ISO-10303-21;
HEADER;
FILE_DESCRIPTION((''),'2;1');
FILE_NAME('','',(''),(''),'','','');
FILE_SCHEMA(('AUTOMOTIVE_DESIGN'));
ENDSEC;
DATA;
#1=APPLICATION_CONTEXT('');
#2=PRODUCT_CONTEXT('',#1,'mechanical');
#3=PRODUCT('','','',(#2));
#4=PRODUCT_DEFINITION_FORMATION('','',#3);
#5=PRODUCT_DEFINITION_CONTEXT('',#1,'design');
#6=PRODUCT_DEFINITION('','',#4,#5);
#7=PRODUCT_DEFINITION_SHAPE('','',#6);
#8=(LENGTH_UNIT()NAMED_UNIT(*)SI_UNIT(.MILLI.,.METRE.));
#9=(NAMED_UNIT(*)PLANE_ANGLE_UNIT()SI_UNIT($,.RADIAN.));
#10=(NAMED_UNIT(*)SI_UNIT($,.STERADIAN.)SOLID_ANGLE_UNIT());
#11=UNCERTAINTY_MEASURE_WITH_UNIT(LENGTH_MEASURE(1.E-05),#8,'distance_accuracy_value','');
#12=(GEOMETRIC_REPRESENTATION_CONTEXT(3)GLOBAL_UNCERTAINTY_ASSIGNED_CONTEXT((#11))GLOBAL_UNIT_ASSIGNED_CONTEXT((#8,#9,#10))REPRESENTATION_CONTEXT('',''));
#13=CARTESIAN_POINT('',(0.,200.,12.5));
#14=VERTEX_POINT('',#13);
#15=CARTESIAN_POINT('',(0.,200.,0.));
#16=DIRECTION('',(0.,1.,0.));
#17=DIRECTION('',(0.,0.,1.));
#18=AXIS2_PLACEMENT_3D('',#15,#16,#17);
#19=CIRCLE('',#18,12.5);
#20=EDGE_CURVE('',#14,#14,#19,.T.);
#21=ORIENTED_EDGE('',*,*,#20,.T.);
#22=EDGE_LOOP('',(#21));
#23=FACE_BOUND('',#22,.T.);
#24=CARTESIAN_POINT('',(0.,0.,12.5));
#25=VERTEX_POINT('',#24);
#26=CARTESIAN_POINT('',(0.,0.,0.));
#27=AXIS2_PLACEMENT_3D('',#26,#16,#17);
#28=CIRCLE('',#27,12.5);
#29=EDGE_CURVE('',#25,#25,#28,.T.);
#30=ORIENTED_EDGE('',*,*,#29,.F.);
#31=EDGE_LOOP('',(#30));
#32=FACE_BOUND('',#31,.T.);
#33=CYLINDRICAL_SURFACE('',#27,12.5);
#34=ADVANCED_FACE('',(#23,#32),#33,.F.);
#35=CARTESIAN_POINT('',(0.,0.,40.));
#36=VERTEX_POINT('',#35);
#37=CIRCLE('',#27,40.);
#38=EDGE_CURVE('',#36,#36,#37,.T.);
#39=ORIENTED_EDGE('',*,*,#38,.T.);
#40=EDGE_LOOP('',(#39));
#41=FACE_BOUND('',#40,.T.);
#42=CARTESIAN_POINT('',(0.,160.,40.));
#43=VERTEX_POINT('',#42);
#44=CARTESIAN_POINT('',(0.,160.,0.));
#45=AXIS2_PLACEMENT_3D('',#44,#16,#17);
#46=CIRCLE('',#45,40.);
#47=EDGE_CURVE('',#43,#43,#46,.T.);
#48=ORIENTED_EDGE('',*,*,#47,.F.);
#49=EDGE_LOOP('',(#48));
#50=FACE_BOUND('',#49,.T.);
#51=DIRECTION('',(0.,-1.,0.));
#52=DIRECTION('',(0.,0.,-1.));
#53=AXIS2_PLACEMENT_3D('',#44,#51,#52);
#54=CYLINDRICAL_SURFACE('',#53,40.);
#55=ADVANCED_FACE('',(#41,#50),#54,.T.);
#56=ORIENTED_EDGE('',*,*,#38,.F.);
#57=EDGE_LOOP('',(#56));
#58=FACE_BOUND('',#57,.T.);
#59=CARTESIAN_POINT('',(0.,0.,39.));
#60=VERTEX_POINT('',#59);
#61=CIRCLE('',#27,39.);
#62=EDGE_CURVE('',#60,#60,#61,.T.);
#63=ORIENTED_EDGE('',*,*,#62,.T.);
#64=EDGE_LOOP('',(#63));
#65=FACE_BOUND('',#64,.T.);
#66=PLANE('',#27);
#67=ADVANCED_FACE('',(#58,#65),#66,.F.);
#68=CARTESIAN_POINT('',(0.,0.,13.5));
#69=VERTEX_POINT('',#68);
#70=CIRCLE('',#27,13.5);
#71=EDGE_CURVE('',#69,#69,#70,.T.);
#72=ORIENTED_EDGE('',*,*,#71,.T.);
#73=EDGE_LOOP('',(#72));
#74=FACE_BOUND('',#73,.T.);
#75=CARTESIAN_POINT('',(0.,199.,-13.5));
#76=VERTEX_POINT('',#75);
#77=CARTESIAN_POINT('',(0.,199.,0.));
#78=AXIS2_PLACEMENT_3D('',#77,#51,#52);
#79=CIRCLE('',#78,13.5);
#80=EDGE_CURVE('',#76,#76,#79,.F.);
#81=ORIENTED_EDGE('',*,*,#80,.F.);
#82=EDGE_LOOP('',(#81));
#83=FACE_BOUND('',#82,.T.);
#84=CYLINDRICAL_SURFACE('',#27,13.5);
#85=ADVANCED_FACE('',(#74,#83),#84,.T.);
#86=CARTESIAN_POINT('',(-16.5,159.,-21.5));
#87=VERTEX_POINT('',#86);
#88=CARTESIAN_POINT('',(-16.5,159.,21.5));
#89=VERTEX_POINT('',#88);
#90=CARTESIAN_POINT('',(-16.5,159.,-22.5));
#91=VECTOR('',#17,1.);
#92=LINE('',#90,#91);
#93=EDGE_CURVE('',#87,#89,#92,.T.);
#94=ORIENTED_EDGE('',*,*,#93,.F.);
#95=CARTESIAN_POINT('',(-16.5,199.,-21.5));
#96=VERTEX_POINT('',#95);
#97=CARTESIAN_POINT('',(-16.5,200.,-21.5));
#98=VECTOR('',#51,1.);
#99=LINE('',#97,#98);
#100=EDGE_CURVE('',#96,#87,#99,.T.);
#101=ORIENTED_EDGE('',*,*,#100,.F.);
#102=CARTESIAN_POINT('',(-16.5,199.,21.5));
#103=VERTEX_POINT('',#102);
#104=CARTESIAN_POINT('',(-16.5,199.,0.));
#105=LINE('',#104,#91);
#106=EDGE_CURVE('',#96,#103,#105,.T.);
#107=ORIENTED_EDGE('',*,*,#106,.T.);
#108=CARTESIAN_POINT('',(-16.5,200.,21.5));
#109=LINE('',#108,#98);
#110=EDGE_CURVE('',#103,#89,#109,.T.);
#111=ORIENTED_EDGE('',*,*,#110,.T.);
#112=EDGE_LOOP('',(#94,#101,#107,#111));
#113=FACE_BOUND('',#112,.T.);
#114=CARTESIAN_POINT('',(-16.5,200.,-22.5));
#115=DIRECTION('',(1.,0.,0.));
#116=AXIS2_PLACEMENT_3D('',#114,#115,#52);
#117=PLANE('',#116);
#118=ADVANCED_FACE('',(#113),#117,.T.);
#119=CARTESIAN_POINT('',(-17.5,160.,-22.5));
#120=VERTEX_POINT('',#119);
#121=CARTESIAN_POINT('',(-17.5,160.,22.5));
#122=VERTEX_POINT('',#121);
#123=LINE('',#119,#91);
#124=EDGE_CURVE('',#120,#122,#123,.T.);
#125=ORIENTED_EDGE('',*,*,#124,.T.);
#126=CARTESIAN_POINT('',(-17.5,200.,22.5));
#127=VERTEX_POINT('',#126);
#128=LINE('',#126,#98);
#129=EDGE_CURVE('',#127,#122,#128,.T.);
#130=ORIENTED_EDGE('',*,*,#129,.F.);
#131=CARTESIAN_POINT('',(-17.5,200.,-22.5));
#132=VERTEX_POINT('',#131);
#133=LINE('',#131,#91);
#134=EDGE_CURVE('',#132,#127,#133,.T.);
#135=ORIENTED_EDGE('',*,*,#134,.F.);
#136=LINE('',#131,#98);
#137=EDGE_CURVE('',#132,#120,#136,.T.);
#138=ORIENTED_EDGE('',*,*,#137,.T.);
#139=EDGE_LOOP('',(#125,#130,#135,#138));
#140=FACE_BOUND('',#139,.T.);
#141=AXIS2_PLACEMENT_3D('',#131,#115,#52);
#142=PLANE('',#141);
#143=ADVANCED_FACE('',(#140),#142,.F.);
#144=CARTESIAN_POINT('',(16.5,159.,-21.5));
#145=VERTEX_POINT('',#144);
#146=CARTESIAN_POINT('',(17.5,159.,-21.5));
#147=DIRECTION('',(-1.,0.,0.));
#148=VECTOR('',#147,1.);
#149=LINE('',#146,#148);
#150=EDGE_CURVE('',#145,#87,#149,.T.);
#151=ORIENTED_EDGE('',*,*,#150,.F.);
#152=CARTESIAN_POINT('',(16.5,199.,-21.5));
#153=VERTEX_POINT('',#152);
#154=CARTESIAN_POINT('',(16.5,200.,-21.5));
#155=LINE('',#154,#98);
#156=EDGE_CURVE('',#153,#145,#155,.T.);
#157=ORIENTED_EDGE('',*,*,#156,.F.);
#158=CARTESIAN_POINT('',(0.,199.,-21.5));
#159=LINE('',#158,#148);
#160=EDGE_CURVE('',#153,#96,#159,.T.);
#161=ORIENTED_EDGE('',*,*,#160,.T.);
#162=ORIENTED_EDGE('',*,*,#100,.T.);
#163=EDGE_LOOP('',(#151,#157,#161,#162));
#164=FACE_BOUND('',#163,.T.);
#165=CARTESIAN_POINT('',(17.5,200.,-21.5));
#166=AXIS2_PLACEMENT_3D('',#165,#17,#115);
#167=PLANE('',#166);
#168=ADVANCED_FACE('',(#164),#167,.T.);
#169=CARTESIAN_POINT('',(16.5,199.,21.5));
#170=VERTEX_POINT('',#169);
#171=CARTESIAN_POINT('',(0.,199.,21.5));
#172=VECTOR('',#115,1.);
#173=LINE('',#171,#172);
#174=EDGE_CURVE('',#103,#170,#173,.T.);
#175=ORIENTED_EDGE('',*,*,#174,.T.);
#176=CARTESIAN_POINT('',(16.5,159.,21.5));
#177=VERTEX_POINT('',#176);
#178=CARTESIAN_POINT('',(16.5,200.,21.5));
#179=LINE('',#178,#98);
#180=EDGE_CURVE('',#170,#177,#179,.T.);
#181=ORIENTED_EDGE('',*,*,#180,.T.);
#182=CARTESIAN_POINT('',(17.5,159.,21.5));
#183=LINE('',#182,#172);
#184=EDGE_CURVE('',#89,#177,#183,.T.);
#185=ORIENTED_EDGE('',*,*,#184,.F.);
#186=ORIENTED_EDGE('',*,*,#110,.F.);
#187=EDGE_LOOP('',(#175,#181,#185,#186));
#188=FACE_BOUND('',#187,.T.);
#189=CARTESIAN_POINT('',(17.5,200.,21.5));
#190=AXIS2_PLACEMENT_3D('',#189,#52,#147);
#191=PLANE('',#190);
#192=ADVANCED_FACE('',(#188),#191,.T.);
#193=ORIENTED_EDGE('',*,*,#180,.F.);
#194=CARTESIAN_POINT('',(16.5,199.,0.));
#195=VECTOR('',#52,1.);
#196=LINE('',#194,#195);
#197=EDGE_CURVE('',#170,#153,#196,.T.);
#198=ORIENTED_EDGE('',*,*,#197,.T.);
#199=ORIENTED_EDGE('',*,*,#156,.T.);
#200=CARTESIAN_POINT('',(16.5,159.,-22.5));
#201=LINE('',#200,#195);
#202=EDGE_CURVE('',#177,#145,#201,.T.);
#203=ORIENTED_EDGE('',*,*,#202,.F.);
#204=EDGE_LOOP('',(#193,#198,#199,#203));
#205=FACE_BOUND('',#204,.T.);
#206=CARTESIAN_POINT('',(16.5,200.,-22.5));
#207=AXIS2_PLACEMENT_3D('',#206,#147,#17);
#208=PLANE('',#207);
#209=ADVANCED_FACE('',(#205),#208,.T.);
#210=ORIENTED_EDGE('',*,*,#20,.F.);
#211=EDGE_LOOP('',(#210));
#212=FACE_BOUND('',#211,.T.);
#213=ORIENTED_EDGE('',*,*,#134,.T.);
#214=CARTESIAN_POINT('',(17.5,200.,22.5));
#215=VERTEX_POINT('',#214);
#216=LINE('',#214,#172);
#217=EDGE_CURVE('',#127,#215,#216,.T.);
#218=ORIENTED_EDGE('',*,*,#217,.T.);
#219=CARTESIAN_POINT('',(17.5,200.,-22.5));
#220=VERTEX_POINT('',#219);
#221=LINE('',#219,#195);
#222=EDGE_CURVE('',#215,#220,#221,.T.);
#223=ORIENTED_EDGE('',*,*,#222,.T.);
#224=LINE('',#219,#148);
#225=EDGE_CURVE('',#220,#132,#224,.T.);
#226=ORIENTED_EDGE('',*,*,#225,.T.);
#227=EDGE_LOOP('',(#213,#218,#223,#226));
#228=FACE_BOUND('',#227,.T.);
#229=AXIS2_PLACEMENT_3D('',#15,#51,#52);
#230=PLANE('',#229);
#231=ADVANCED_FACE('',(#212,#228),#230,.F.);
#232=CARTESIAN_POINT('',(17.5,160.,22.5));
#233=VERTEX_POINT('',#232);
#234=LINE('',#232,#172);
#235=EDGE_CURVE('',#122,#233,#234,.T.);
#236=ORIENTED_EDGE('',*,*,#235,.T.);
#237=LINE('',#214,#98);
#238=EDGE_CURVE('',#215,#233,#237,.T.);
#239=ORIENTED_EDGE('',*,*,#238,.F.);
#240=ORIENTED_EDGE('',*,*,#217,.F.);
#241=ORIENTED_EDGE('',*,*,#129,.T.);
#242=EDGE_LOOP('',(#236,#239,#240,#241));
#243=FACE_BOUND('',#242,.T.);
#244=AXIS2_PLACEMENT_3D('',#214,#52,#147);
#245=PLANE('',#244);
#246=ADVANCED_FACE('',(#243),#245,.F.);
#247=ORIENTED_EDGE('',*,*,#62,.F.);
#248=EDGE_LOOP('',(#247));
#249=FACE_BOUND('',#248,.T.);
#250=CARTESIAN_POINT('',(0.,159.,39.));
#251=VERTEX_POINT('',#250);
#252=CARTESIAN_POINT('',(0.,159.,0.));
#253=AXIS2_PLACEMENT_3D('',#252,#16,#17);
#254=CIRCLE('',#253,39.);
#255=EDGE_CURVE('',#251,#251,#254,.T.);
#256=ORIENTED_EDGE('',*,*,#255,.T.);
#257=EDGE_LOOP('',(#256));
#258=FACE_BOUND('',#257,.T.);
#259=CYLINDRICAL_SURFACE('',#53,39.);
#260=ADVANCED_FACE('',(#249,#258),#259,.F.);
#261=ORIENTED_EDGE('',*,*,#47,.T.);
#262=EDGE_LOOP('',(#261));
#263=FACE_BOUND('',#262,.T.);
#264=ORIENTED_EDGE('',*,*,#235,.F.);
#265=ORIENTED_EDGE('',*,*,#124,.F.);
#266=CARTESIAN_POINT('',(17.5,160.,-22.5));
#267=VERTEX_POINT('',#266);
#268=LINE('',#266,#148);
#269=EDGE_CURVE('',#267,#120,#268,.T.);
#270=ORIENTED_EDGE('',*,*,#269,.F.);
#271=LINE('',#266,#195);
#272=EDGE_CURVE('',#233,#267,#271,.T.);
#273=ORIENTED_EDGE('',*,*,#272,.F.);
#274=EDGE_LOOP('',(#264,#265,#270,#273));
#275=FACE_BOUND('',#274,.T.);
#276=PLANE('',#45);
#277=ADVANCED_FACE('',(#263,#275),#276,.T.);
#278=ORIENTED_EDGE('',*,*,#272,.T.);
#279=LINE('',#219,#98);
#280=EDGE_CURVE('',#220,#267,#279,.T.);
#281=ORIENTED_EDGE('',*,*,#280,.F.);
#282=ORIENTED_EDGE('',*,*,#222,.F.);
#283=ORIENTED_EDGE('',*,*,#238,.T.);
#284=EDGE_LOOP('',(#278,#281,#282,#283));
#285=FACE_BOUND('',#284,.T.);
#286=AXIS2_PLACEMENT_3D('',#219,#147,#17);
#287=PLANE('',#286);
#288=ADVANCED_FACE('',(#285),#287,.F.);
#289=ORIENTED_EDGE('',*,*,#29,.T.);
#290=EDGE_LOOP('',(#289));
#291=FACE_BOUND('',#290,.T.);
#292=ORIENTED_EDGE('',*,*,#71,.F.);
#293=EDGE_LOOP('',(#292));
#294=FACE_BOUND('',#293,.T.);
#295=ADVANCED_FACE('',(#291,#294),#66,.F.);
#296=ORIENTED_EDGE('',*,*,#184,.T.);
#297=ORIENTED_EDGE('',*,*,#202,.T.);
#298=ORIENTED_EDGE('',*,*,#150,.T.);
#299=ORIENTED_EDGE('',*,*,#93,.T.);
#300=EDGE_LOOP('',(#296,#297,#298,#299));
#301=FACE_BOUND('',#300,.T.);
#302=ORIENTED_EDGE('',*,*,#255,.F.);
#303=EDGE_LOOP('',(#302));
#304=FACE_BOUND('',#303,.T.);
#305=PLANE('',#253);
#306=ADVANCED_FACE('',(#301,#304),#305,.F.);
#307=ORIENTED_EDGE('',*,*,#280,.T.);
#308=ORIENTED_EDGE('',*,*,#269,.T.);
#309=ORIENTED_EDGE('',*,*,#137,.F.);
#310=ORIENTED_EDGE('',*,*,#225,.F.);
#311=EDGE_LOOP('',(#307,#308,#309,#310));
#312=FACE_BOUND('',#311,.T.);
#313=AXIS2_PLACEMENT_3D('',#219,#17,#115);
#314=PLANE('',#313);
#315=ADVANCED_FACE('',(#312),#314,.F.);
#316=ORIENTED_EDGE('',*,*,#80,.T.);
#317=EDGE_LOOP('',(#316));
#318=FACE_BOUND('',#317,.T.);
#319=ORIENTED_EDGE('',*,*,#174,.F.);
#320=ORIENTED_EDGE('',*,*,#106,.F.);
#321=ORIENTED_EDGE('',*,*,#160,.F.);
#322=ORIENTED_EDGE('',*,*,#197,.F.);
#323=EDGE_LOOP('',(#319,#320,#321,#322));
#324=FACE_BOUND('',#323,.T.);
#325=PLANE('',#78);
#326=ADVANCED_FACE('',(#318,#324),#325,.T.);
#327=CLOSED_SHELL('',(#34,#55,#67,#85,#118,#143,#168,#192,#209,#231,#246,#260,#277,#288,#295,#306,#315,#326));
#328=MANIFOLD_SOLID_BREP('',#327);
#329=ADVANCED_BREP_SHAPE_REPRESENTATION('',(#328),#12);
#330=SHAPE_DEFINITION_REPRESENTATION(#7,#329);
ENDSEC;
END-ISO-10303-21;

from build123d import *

# Parameters (mm, degrees)
SKETCH_1_R          = 40
EXTRUDE_1_DEPTH     = 160
SKETCH_2_W          = 35
SKETCH_2_H          = 45
EXTRUDE_2_DEPTH     = 40
SKETCH_7_R          = 12.5
CUT_EXTRUDE_2_DEPTH = 208.846096908
SHELL_1_T           = -1


with BuildPart() as part:
    # Эскиз1 → Бобышка-Вытянуть1 (new body)
    with BuildSketch(Plane(origin=(0, 0, 0), x_dir=(1, 0, 0), z_dir=(0, 1, 0))):
        with Locations(Location((0, 0, 0), (0, 0, 270))):
            Circle(SKETCH_1_R)
    extrude(amount=EXTRUDE_1_DEPTH)

    # Эскиз2 → Бобышка-Вытянуть2 (add)
    with BuildSketch(Plane(origin=(0, 160, 0), x_dir=(1, 0, 0), z_dir=(0, 1, 0))):
        Rectangle(SKETCH_2_W, SKETCH_2_H)
    extrude(amount=EXTRUDE_2_DEPTH)

    # Эскиз7 → Вырез-Вытянуть2 (cut, through all)
    with BuildSketch(Plane(origin=(0, 200, 0), x_dir=(1, 0, 0), z_dir=(0, 1, 0))):
        with Locations(Location((0, 0, 0), (0, 0, 270))):
            Circle(SKETCH_7_R)
    extrude(amount=-CUT_EXTRUDE_2_DEPTH, mode=Mode.SUBTRACT)

    # Оболочка1
    shell_1_openings = [part.faces().sort_by_distance(p)[0] for p in [
        (0, 0, -38.86862915),
    ]]
    offset(amount=SHELL_1_T, openings=shell_1_openings, kind=Kind.INTERSECTION)


solid = part.part
